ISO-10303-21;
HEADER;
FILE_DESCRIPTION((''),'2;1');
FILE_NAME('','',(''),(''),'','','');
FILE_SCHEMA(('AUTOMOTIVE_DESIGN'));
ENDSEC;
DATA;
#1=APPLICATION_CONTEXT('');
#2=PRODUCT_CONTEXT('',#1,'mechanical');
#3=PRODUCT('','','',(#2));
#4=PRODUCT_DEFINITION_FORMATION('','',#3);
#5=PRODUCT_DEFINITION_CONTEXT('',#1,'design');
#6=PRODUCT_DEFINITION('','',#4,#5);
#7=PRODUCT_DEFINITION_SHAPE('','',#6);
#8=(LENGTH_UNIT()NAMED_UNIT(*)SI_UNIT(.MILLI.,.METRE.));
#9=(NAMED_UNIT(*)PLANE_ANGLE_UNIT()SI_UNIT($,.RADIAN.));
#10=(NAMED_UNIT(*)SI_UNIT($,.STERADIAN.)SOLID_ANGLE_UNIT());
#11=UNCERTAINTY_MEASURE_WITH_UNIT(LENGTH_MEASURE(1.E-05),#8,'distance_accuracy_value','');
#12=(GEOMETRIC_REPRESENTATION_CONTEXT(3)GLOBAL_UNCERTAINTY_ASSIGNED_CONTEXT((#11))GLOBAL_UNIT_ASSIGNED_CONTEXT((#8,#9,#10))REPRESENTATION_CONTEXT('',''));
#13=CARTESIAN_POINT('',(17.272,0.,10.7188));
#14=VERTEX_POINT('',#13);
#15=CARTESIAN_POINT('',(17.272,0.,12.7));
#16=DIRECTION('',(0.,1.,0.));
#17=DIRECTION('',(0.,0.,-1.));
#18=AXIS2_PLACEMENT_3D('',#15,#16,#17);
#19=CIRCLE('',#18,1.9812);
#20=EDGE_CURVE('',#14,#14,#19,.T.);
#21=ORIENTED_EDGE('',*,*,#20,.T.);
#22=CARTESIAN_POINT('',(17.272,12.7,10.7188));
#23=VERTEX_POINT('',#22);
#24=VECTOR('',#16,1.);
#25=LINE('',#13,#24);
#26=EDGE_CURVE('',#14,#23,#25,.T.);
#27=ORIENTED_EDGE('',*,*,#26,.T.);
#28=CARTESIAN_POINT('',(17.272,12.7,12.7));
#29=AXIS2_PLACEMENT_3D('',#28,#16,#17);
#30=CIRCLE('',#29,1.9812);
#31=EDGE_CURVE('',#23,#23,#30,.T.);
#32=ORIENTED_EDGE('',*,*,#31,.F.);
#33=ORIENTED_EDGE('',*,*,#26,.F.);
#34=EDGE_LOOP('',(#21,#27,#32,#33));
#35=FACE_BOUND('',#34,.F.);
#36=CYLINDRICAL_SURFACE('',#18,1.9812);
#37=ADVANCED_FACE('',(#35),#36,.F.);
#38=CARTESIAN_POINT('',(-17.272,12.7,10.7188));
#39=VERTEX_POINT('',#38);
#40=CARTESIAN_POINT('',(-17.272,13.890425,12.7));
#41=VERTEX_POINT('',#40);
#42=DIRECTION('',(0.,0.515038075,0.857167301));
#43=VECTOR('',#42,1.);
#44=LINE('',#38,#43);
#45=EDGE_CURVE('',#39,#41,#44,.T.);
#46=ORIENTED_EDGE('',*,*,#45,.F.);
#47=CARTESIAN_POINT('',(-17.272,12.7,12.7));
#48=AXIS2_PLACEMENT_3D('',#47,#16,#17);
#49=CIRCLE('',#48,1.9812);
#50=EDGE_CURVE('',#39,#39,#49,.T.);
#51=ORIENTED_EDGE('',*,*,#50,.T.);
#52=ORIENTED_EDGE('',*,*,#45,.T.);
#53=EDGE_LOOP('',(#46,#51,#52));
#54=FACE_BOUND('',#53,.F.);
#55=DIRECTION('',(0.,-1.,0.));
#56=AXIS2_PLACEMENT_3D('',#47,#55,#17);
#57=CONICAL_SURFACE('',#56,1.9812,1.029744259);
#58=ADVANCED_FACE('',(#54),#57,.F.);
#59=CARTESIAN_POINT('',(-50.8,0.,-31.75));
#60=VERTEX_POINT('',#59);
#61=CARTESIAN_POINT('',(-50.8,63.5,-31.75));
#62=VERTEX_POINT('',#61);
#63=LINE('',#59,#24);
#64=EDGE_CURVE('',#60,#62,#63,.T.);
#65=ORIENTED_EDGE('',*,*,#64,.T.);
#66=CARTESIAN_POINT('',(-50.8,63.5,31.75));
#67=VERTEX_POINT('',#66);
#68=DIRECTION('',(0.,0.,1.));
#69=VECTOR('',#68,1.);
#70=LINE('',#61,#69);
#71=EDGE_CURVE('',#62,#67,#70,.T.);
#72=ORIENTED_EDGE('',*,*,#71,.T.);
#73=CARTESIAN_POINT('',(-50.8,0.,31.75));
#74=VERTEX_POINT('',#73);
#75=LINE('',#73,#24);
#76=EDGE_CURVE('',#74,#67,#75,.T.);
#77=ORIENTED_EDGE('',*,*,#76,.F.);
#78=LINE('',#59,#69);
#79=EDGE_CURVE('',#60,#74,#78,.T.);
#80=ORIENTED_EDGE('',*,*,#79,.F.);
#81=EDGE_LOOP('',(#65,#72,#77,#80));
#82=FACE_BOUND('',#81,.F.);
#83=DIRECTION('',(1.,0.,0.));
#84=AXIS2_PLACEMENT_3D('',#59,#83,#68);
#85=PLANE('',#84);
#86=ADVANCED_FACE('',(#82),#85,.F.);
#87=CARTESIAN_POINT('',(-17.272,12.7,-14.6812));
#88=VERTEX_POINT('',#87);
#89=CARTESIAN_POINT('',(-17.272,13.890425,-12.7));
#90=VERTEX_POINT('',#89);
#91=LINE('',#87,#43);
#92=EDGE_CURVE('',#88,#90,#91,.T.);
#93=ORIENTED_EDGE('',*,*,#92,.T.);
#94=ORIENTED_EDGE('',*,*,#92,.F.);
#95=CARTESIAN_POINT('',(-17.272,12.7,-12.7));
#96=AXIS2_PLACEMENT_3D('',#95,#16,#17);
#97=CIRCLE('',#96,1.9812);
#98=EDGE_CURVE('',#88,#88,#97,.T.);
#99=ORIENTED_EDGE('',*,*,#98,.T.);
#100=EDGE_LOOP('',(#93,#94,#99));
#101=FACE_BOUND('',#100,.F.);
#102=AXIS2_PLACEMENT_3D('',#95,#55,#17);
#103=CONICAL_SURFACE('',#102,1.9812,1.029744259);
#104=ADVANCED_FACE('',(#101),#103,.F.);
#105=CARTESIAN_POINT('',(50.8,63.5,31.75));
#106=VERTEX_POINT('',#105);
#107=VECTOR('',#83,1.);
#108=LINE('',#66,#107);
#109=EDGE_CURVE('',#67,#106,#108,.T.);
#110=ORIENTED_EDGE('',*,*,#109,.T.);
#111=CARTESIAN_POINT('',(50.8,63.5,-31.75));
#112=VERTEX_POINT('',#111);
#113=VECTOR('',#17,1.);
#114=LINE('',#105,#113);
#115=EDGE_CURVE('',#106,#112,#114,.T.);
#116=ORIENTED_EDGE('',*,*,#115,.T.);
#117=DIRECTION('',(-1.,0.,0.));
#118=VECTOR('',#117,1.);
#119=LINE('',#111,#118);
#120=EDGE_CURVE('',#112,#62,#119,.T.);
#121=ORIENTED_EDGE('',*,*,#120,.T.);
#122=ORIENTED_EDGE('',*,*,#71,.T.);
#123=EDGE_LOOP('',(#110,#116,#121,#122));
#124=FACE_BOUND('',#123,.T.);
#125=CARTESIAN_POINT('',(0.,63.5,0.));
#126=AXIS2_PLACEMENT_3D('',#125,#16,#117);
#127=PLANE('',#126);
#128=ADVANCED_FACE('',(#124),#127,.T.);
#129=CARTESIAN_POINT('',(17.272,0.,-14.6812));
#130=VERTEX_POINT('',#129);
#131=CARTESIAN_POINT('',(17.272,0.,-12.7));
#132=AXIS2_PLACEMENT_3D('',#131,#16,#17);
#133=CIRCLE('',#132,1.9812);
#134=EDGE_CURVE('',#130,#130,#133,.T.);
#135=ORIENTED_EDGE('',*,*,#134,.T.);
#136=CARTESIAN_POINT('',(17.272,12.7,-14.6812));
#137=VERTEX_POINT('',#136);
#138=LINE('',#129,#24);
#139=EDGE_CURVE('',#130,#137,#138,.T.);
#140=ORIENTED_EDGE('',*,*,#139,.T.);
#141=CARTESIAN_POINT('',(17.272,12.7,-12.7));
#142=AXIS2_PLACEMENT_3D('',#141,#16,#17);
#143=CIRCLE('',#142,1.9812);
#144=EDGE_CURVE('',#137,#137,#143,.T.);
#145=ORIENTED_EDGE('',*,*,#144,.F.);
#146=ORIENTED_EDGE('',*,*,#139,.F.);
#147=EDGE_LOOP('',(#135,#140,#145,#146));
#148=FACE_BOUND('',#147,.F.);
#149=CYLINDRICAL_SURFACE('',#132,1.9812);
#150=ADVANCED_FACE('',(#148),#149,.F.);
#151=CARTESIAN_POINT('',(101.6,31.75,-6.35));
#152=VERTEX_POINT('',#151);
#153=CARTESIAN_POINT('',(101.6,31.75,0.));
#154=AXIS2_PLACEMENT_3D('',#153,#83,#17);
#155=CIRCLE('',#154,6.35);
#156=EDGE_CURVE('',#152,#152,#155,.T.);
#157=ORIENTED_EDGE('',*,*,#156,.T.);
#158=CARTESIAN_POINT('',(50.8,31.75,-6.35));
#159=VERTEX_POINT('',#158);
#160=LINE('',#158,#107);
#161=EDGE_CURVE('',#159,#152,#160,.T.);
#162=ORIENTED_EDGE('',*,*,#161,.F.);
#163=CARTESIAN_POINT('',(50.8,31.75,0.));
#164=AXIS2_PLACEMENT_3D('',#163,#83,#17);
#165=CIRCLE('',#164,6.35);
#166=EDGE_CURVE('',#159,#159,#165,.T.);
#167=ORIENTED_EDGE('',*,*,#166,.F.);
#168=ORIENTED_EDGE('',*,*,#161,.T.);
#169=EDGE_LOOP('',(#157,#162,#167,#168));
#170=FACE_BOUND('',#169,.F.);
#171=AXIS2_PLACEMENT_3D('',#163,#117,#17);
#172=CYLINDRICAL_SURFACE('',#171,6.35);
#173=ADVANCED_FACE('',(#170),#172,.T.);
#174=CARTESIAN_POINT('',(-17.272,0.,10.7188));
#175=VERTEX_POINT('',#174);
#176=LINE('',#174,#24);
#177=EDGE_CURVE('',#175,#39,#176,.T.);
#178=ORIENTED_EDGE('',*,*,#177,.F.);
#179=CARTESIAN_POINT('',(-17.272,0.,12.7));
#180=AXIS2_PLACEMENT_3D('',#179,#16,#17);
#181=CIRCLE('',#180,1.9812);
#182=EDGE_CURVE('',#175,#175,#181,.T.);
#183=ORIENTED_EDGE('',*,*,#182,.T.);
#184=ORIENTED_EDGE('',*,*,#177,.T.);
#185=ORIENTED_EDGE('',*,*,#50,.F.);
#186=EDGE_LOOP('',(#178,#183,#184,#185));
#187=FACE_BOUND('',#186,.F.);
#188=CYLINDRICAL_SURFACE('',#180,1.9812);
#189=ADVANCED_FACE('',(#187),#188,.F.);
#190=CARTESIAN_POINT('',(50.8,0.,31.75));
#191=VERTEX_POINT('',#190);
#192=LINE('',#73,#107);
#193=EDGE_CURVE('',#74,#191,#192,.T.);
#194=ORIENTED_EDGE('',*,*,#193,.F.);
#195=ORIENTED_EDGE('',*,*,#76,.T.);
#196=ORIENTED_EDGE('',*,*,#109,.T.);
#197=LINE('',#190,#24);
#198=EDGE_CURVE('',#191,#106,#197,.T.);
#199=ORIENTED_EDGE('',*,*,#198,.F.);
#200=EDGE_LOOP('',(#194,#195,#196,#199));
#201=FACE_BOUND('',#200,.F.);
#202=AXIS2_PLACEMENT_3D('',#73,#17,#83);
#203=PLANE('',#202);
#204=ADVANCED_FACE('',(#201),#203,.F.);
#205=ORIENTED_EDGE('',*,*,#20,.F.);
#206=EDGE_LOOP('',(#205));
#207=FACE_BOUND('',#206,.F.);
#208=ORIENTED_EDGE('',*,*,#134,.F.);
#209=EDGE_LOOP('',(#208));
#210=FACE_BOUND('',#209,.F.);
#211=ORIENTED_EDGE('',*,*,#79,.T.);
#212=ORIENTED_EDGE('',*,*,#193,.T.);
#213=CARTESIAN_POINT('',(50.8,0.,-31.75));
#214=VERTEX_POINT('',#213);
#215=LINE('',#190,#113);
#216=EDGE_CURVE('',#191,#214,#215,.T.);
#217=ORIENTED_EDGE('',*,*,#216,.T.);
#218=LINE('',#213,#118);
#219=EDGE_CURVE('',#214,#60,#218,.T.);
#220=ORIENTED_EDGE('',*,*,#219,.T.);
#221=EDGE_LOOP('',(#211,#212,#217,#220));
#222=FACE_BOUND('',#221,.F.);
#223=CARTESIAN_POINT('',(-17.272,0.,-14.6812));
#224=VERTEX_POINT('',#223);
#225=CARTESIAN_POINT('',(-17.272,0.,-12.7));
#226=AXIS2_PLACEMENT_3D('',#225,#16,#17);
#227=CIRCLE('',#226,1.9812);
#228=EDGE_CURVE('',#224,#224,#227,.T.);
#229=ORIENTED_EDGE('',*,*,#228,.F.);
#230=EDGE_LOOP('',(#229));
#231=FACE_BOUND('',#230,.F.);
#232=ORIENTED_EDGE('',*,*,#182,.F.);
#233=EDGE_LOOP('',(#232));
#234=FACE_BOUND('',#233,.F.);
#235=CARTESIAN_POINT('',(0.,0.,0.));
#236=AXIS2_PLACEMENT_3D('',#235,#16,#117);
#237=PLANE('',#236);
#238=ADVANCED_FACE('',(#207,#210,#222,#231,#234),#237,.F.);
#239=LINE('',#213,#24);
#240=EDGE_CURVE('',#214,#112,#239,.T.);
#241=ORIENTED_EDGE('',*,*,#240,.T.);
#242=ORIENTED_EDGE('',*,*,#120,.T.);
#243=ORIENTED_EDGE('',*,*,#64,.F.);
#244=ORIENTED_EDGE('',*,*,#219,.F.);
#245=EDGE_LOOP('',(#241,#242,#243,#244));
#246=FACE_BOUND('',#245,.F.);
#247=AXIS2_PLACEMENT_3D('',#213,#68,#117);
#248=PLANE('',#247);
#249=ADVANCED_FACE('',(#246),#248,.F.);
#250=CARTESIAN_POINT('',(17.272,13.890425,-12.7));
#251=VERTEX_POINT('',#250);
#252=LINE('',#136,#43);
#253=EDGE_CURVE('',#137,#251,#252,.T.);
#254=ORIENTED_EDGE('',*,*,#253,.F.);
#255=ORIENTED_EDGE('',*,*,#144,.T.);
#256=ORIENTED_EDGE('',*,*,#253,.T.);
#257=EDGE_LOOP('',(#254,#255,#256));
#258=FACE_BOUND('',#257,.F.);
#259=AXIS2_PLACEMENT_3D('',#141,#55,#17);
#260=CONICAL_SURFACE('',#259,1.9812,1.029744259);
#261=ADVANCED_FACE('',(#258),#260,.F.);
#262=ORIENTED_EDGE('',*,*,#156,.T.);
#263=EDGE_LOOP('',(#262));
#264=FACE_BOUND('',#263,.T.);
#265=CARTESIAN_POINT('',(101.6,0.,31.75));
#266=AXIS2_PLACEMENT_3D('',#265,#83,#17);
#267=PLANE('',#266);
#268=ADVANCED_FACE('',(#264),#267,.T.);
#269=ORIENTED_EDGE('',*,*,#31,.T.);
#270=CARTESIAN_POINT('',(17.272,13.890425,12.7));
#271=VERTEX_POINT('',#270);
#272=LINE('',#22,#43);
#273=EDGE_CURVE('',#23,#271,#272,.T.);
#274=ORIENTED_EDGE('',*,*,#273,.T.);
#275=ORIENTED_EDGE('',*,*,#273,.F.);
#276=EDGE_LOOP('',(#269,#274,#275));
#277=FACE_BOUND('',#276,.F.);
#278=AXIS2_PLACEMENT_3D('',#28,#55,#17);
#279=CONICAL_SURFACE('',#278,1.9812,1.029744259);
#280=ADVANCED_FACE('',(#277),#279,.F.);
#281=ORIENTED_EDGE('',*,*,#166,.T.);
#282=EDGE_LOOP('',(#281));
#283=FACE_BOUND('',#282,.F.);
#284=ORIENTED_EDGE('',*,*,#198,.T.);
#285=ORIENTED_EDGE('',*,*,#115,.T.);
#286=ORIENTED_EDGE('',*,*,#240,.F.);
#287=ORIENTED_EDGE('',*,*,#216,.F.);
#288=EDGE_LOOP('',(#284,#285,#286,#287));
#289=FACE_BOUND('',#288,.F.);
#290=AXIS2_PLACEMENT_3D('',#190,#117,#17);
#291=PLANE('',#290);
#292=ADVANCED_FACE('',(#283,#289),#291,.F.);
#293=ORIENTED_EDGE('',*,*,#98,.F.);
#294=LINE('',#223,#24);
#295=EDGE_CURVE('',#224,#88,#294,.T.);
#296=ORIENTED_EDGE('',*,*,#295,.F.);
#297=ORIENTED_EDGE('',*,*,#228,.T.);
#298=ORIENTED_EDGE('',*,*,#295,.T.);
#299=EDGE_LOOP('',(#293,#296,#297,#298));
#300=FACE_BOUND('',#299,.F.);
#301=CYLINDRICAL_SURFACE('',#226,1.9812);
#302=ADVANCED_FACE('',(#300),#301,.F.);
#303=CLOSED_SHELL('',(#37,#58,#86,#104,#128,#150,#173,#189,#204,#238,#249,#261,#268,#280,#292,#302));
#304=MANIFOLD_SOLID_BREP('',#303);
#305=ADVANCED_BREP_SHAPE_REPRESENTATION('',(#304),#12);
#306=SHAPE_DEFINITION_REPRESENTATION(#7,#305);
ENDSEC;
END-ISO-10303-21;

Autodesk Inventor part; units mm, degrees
ref_plane "YZ Plane" through (0, 0, 0) normal (1, 0, 0) x (0, 1, 0)
ref_plane "XZ Plane" through (0, 0, 0) normal (0, 1, 0) x (-1, 0, 0)
ref_plane "XY Plane" through (0, 0, 0) normal (0, 0, 1) x (1, 0, 0)
sketch "Sketch1" plane through (0, 0, 0) normal (0, 1, 0) x (-1, 0, 0)
  line L0 (50.8, 31.75) -> (-50.8, 31.75)
  line L1 (-50.8, 31.75) -> (-50.8, -31.75)
  line L2 (-50.8, -31.75) -> (50.8, -31.75)
  line L3 (50.8, -31.75) -> (50.8, 31.75)
  line L4 (50.8, 31.75) -> (-50.8, -31.75) construction
  line L5 (-50.8, 31.75) -> (50.8, -31.75) construction
  point P0 (0, 0)
  dimension "d0" = 101.6
  dimension "d1" = 63.5
extrude "Extrusion1" add sketch "Sketch1" along normal blind 63.5
sketch "Sketch2" plane through (0, 0, 0) normal (0, -1, 0) x (1, 0, 0)
  line L0 (17.272, 12.7) -> (-17.272, 12.7) construction
  line L1 (-17.272, 12.7) -> (-17.272, -12.7) construction
  line L2 (-17.272, -12.7) -> (17.272, -12.7) construction
  line L3 (17.272, -12.7) -> (17.272, 12.7) construction
  line L4 (17.272, 12.7) -> (-17.272, -12.7) construction
  line L5 (-17.272, 12.7) -> (17.272, -12.7) construction
  point P0 (0, 0)
  dimension "d5" = 34.544
  dimension "d6" = 25.4
hole "Hole1" at (17.272, 0, -12.7) at (-17.272, 0, -12.7) at (-17.272, 0, 12.7) at (17.272, 0, 12.7) direction (0, 1, 0) diameter 3.9624 depth 12.7 tip angle 118 thread size "10-32 UNF" class "2B" standard "ANSI Unified Screw Threads"
sketch "Sketch3" plane through (50.8, 0, 31.75) normal (1, 0, 0) x (0, 0, -1)
  circle A0 centre (31.75, 31.75) radius 6.35
  line L0 (0, 0) -> (0, 63.5) projected
  line L1 (0, 0) -> (63.5, 0) projected
  point P0 (31.75, 0)
  dimension "d14" = 12.7
  dimension "d15" = 31.75
  dimension "d16" = 31.75
extrude "Extrusion2" add sketch "Sketch3" along normal blind 50.8
properties part number "BaneBot220GearBox"
